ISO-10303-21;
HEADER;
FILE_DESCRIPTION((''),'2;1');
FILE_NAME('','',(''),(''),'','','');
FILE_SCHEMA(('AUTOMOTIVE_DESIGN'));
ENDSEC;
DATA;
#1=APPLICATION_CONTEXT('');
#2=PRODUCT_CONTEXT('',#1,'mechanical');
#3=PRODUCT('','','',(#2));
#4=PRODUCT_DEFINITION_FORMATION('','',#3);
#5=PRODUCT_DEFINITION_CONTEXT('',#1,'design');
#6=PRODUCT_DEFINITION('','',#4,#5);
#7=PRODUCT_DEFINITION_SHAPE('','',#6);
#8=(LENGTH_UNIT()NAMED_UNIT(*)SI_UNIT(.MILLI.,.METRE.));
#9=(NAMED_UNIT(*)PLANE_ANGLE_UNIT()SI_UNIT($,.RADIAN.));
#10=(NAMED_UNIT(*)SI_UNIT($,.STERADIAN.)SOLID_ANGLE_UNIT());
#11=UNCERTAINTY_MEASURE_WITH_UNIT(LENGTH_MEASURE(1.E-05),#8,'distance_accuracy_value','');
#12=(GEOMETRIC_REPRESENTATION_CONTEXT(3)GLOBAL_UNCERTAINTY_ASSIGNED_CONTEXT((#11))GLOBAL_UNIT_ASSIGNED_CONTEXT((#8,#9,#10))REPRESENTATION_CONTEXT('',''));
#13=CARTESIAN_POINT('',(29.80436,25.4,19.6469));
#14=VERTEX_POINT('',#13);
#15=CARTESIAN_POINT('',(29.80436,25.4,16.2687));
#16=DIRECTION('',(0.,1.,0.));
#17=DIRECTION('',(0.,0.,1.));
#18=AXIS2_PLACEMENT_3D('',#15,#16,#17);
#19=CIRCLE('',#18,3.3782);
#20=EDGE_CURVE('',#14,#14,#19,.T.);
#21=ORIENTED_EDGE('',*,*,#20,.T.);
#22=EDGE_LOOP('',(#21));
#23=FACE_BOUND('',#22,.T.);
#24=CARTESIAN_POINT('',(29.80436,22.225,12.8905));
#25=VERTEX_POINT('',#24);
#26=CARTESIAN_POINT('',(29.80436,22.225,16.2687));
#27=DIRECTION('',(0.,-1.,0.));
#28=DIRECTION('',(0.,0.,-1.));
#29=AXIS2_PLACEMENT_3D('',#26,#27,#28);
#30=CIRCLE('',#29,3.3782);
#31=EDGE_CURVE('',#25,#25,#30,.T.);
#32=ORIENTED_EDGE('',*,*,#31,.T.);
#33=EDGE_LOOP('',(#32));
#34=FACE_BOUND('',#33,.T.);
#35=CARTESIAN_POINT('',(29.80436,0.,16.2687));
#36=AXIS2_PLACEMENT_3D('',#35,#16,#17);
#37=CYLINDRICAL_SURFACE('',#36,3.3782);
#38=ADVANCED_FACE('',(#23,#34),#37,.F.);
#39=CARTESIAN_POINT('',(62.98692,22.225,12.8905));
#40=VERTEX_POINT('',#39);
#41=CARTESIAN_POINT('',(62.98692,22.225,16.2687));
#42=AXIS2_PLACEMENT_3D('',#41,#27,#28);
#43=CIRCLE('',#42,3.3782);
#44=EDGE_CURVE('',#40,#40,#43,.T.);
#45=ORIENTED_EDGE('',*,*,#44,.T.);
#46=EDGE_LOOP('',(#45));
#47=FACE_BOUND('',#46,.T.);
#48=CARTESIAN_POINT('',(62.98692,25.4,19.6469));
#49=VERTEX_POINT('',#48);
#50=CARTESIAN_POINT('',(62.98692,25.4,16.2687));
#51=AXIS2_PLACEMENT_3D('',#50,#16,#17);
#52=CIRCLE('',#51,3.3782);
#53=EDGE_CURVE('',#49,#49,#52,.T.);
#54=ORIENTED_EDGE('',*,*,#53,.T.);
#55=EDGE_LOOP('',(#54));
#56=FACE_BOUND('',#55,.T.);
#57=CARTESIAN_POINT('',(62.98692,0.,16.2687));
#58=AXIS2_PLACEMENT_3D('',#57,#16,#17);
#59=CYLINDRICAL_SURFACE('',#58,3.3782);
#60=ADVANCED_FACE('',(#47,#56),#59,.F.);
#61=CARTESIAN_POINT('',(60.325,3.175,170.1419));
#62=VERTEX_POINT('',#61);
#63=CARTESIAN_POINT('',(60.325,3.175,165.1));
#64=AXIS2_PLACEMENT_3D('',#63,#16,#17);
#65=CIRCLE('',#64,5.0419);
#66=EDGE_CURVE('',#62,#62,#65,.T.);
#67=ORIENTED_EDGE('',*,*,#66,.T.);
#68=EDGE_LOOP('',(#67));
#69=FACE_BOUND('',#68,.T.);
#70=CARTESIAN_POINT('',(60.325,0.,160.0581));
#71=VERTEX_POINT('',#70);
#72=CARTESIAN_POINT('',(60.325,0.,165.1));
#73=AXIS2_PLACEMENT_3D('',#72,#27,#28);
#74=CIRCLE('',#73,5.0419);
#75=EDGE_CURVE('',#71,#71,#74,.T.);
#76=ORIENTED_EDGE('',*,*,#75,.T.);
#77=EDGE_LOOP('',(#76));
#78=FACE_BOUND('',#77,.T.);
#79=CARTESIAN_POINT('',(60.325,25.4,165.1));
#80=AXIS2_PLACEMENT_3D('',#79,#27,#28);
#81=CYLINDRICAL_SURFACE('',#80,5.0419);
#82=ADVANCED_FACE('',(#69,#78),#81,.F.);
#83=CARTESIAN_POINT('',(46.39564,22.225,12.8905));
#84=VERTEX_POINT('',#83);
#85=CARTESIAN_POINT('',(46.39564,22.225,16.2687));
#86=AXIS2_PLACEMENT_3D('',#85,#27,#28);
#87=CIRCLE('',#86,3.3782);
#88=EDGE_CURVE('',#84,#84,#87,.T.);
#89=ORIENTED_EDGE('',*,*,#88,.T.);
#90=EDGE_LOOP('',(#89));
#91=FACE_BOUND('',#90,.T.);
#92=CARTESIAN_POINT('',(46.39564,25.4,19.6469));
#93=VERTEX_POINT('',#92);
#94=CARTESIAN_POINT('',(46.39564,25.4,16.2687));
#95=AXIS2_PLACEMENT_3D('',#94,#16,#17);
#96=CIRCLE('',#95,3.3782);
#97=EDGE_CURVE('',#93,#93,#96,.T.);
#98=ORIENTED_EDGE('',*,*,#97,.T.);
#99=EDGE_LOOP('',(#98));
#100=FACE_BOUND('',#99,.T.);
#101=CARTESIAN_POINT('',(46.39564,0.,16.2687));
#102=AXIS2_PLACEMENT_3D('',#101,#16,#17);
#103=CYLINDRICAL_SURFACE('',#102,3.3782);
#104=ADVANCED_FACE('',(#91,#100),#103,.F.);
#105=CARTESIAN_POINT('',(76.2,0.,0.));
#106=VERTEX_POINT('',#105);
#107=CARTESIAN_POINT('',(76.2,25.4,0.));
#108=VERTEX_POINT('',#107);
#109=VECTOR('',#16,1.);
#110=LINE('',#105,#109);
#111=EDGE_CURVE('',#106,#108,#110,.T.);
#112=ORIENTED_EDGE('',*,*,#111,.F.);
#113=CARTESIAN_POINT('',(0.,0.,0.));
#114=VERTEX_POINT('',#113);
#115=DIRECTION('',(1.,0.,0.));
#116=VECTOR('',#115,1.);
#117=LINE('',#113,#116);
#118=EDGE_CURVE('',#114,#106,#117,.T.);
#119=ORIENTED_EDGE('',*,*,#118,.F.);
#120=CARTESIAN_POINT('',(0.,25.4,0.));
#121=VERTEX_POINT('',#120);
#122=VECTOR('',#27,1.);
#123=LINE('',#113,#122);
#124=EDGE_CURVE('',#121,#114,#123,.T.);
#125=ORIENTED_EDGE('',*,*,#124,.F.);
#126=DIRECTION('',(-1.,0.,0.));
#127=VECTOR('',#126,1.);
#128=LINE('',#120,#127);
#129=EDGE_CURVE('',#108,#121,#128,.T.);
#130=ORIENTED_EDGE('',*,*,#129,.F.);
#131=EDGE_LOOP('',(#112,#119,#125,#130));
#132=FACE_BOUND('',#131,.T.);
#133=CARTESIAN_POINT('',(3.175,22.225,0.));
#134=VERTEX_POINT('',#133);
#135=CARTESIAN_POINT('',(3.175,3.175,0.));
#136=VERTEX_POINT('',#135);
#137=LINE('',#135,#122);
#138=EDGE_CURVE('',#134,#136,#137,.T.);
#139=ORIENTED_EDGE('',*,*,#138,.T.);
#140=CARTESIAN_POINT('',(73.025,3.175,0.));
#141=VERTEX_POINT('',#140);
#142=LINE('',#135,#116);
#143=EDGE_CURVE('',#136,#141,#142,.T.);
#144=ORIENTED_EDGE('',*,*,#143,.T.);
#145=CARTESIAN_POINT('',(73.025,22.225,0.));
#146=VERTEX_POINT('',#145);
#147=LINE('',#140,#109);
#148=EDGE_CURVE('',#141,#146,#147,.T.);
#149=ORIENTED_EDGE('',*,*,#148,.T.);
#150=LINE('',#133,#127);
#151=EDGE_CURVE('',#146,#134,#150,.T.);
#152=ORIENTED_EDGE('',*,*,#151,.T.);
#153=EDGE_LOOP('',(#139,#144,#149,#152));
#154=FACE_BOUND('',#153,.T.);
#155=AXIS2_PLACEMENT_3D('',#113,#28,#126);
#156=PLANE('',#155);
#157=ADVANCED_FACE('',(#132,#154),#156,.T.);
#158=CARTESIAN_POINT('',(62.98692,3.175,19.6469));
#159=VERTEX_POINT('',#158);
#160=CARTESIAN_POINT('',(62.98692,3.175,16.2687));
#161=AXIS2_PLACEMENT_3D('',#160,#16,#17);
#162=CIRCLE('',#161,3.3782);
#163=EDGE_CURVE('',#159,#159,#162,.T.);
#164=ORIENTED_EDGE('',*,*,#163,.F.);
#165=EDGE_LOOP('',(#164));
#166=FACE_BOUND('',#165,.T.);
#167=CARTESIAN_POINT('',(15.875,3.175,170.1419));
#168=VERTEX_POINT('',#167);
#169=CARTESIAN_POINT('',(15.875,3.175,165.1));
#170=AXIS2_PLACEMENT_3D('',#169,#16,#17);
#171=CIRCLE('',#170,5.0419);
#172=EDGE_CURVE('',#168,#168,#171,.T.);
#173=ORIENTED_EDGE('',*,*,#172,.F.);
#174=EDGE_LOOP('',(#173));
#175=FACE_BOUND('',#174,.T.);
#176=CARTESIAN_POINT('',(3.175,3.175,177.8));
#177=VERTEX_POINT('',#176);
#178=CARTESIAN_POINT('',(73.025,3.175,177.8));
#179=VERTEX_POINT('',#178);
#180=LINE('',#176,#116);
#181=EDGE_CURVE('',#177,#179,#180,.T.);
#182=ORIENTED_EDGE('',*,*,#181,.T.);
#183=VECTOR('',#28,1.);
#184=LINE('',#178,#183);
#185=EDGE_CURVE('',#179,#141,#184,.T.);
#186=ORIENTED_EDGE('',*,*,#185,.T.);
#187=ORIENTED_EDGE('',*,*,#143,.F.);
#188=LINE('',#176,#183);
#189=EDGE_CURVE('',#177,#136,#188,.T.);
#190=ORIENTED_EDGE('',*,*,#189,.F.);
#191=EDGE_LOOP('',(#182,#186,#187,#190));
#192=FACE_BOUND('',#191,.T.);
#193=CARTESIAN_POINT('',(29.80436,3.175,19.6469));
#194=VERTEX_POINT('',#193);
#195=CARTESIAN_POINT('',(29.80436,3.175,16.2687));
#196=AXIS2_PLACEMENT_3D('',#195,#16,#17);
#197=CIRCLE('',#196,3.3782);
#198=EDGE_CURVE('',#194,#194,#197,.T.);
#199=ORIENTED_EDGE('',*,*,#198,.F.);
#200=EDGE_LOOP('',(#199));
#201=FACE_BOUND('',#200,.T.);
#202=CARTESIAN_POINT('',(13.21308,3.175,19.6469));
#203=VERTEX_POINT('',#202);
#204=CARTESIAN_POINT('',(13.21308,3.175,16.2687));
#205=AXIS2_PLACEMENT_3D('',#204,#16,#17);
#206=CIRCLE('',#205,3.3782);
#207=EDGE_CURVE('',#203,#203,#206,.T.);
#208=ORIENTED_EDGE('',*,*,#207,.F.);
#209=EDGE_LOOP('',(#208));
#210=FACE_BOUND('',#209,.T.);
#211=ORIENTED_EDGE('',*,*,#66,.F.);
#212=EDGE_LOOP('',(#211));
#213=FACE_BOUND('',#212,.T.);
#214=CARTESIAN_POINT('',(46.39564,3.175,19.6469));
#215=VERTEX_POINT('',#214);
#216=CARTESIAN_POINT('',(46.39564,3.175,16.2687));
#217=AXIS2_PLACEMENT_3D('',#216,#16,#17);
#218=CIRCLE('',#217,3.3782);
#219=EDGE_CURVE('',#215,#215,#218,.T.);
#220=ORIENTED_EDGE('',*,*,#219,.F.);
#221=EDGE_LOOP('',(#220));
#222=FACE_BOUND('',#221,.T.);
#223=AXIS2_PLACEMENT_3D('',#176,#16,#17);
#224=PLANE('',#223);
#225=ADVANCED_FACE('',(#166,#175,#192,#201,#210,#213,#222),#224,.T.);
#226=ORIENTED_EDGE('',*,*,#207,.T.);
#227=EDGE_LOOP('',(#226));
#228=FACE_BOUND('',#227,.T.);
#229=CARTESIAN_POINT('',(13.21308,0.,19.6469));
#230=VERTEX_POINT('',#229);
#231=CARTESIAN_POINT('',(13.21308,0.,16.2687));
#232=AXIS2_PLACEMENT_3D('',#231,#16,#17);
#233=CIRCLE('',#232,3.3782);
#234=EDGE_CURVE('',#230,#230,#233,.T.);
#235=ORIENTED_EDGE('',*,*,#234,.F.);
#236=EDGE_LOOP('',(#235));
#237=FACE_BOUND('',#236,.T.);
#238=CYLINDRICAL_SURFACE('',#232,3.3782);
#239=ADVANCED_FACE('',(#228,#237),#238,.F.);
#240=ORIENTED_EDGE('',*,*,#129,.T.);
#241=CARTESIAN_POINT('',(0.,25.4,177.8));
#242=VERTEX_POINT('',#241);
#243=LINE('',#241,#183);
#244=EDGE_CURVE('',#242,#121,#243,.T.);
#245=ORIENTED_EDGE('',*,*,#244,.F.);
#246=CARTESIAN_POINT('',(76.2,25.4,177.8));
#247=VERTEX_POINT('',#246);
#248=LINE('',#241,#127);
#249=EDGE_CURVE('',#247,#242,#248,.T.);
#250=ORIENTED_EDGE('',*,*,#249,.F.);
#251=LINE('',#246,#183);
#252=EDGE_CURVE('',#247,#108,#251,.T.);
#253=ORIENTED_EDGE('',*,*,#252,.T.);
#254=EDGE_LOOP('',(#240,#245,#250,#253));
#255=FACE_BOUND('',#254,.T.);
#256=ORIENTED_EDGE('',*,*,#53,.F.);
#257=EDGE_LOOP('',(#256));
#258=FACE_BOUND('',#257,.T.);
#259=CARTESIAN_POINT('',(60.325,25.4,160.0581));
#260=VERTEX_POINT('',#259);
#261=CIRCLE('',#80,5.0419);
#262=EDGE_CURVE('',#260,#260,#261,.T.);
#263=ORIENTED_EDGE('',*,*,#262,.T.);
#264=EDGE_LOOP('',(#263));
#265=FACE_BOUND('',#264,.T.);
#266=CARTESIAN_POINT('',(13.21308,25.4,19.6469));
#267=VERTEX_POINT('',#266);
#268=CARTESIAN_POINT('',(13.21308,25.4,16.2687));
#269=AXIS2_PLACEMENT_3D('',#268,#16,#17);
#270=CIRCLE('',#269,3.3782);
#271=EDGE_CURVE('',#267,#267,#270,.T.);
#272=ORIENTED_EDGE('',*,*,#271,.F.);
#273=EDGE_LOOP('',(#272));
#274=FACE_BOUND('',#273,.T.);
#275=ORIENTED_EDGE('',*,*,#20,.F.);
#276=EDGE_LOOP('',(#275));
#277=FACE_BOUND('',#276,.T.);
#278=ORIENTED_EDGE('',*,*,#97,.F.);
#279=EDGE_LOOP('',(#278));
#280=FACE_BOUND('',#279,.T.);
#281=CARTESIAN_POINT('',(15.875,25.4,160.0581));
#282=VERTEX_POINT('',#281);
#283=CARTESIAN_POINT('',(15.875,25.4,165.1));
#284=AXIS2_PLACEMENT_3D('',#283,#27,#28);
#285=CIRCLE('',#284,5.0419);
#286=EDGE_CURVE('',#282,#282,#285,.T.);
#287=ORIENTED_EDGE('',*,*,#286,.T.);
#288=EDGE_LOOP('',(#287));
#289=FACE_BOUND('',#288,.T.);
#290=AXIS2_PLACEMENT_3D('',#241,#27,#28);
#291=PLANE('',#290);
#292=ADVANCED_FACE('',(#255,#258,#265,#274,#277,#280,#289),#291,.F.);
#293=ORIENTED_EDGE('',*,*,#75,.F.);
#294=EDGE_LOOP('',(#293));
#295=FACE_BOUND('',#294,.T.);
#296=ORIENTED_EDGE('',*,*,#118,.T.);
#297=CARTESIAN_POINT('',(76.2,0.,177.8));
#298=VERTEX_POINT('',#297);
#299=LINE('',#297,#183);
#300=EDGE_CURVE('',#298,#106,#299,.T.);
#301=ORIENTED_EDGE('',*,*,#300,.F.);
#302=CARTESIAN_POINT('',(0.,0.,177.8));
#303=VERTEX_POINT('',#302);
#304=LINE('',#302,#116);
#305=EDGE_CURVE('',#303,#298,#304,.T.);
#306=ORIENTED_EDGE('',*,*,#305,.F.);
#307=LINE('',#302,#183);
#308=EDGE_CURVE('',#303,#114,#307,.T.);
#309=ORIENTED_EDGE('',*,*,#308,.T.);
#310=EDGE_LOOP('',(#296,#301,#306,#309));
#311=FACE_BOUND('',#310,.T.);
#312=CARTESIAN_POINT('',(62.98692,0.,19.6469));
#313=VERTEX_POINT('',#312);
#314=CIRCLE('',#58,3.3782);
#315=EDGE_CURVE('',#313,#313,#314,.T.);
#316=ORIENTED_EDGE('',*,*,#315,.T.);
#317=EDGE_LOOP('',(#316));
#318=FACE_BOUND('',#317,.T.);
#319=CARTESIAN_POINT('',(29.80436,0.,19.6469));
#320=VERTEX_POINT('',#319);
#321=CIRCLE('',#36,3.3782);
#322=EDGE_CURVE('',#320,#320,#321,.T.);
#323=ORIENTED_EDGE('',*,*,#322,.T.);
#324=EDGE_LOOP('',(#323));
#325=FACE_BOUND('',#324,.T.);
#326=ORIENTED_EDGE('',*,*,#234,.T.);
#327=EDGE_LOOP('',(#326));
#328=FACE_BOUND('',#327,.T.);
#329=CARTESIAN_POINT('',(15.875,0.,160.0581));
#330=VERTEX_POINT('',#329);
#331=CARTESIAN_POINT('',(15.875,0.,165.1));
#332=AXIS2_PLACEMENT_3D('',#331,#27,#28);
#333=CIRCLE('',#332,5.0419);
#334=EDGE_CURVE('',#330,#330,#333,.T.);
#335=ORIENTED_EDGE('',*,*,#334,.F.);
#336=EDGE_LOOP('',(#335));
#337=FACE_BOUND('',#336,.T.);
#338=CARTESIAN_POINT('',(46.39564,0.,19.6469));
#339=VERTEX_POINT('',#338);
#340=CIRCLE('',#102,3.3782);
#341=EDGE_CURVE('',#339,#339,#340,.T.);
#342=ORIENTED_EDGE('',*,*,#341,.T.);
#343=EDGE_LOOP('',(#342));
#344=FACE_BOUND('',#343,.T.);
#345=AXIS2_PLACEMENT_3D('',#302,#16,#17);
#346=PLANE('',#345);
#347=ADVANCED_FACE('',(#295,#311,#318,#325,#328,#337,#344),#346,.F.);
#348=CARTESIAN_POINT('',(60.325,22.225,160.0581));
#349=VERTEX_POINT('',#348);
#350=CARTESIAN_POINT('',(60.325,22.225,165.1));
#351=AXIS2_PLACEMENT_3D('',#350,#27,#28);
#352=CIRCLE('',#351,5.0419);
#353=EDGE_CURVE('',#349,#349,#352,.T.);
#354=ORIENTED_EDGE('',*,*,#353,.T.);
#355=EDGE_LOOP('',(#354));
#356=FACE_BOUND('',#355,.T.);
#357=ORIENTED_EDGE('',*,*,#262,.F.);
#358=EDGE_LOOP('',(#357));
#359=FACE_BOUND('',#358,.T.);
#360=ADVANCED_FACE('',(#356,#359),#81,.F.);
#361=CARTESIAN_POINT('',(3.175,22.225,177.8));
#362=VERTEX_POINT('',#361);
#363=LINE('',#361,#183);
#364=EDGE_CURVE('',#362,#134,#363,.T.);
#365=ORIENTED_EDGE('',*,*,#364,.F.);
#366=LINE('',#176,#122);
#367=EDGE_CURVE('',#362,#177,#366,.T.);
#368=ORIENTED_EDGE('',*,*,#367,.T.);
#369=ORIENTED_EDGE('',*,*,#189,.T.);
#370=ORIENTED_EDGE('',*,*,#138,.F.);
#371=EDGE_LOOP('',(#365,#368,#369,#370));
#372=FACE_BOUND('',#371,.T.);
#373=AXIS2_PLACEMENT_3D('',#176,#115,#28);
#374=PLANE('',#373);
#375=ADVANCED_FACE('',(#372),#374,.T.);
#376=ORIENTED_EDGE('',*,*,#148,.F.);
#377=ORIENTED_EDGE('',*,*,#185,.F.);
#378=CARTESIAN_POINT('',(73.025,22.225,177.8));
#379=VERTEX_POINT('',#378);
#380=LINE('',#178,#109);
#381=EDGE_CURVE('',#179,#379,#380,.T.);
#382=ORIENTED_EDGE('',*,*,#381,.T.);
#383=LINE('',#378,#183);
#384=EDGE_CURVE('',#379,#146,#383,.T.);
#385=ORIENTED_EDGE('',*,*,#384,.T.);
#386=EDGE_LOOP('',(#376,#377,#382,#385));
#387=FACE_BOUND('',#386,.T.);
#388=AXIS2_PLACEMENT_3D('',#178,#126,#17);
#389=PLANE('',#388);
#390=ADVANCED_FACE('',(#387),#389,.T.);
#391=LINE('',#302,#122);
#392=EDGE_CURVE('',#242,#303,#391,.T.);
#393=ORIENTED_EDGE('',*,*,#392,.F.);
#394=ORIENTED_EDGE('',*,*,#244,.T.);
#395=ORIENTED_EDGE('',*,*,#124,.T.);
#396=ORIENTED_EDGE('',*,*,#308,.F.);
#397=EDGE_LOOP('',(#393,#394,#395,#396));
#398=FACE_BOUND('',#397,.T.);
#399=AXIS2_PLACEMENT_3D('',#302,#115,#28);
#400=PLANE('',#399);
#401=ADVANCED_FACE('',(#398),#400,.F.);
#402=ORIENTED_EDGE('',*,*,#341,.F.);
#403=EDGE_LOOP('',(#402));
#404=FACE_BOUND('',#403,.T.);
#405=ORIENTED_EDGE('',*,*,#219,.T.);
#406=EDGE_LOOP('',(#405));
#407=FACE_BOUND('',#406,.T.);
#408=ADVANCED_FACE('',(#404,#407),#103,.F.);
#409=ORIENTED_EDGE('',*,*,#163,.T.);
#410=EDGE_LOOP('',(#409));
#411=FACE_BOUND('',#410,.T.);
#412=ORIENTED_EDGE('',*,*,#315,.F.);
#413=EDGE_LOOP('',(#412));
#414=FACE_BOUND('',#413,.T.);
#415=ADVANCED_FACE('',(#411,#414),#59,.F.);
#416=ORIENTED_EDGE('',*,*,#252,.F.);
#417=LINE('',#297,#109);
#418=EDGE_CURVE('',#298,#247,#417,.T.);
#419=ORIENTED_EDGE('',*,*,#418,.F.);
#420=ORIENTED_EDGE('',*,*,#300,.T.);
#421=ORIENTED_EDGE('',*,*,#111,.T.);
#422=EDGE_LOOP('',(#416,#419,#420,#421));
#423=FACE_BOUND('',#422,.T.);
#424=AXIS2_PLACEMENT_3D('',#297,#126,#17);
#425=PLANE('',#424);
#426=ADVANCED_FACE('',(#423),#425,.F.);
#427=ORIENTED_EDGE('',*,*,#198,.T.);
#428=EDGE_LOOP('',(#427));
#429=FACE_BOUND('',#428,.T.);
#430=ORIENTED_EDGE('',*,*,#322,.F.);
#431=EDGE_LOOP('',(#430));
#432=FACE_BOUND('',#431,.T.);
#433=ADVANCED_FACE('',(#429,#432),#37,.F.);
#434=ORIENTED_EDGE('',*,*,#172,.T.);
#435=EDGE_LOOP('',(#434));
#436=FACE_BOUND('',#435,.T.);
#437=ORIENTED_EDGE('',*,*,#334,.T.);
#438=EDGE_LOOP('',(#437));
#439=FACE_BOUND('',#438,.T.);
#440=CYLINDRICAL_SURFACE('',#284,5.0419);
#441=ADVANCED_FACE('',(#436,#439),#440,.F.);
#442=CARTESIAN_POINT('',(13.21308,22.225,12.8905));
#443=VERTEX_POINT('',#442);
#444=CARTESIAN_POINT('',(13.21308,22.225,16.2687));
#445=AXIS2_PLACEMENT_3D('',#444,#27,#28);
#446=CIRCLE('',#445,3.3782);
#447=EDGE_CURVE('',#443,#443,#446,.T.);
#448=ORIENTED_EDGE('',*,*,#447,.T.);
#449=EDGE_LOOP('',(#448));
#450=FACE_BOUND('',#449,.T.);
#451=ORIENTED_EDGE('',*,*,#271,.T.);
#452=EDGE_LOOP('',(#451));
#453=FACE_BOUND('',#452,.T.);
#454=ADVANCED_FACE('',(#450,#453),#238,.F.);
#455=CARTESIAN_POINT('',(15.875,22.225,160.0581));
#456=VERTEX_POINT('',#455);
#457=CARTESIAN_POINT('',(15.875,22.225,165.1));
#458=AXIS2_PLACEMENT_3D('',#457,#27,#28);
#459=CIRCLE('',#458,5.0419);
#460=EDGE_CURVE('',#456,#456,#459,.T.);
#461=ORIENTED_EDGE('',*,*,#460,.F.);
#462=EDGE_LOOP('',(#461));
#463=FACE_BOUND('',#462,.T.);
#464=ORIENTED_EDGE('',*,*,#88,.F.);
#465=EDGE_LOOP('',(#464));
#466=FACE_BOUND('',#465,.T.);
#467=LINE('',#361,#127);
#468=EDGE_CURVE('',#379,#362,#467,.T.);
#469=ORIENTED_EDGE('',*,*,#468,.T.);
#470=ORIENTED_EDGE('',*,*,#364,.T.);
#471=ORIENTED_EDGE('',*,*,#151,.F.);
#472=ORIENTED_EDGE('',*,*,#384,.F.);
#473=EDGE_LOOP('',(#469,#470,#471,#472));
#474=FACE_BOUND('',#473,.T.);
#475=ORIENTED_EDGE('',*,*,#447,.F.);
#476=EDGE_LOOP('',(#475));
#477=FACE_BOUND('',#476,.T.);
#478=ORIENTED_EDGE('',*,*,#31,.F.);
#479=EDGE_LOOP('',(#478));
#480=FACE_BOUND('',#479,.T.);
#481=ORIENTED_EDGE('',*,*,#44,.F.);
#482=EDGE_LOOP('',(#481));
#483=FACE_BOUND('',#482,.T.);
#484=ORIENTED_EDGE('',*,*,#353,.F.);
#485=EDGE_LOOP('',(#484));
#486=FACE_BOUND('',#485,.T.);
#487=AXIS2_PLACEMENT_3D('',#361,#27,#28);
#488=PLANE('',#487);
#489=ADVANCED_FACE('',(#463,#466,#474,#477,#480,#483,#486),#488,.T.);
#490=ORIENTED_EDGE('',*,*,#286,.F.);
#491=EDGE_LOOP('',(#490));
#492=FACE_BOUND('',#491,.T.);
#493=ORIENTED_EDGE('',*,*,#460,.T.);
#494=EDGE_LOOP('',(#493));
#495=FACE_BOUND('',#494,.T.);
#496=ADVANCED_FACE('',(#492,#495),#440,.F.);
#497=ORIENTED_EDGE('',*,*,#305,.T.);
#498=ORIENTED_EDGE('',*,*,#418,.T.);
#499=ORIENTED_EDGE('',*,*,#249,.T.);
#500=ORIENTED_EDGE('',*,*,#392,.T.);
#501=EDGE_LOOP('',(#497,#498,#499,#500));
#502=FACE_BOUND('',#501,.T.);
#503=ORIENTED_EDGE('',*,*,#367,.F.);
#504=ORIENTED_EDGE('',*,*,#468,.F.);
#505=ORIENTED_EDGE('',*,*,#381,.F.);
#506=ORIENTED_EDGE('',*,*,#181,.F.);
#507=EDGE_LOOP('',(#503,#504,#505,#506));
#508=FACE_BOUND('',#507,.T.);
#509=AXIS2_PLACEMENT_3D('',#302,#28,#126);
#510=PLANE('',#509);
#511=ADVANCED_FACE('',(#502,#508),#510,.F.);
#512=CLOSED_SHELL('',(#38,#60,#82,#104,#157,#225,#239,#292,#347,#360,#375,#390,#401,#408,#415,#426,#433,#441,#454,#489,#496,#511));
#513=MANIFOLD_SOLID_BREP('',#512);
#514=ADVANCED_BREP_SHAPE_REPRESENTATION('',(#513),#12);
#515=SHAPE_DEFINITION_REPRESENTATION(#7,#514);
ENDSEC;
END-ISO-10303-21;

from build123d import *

# Parameters (mm, degrees)
SKETCH1_W           = 76.2
SKETCH1_H           = 25.4
SKETCH1_W_2         = 69.85
SKETCH1_H_2         = 19.05
BOSS_EXTRUDE1_DEPTH = 177.8
SKETCH4_R           = 3.3782
CUT_EXTRUDE1_DEPTH  = 26.4
SKETCH5_R           = 5.0419
CUT_EXTRUDE2_DEPTH  = 26.4


with BuildPart() as part:
    # Sketch1 → Boss-Extrude1 (new body)
    with BuildSketch(Plane.XY):
        with Locations((38.1, 12.7)):
            Rectangle(SKETCH1_W, SKETCH1_H)
        with Locations((38.1, 12.7)):
            Rectangle(SKETCH1_W_2, SKETCH1_H_2, mode=Mode.SUBTRACT)
    extrude(amount=BOSS_EXTRUDE1_DEPTH)

    # Sketch4 → Cut-Extrude1 (cut, through all)
    with BuildSketch(Plane(origin=(0, 25.4, 0), x_dir=(1, 0, 0), z_dir=(0, 1, 0))):
        with Locations((13.21308, -16.2687)):
            Circle(SKETCH4_R)
        with Locations((29.80436, -16.2687)):
            Circle(SKETCH4_R)
        with Locations((46.39564, -16.2687)):
            Circle(SKETCH4_R)
        with Locations((62.98692, -16.2687)):
            Circle(SKETCH4_R)
    extrude(amount=-CUT_EXTRUDE1_DEPTH, mode=Mode.SUBTRACT)

    # Sketch5 → Cut-Extrude2 (cut, through all)
    with BuildSketch(Plane.XZ):
        with Locations((60.325, 165.1)):
            Circle(SKETCH5_R)
        with Locations((15.875, 165.1)):
            Circle(SKETCH5_R)
    extrude(amount=-CUT_EXTRUDE2_DEPTH, mode=Mode.SUBTRACT)


solid = part.part
